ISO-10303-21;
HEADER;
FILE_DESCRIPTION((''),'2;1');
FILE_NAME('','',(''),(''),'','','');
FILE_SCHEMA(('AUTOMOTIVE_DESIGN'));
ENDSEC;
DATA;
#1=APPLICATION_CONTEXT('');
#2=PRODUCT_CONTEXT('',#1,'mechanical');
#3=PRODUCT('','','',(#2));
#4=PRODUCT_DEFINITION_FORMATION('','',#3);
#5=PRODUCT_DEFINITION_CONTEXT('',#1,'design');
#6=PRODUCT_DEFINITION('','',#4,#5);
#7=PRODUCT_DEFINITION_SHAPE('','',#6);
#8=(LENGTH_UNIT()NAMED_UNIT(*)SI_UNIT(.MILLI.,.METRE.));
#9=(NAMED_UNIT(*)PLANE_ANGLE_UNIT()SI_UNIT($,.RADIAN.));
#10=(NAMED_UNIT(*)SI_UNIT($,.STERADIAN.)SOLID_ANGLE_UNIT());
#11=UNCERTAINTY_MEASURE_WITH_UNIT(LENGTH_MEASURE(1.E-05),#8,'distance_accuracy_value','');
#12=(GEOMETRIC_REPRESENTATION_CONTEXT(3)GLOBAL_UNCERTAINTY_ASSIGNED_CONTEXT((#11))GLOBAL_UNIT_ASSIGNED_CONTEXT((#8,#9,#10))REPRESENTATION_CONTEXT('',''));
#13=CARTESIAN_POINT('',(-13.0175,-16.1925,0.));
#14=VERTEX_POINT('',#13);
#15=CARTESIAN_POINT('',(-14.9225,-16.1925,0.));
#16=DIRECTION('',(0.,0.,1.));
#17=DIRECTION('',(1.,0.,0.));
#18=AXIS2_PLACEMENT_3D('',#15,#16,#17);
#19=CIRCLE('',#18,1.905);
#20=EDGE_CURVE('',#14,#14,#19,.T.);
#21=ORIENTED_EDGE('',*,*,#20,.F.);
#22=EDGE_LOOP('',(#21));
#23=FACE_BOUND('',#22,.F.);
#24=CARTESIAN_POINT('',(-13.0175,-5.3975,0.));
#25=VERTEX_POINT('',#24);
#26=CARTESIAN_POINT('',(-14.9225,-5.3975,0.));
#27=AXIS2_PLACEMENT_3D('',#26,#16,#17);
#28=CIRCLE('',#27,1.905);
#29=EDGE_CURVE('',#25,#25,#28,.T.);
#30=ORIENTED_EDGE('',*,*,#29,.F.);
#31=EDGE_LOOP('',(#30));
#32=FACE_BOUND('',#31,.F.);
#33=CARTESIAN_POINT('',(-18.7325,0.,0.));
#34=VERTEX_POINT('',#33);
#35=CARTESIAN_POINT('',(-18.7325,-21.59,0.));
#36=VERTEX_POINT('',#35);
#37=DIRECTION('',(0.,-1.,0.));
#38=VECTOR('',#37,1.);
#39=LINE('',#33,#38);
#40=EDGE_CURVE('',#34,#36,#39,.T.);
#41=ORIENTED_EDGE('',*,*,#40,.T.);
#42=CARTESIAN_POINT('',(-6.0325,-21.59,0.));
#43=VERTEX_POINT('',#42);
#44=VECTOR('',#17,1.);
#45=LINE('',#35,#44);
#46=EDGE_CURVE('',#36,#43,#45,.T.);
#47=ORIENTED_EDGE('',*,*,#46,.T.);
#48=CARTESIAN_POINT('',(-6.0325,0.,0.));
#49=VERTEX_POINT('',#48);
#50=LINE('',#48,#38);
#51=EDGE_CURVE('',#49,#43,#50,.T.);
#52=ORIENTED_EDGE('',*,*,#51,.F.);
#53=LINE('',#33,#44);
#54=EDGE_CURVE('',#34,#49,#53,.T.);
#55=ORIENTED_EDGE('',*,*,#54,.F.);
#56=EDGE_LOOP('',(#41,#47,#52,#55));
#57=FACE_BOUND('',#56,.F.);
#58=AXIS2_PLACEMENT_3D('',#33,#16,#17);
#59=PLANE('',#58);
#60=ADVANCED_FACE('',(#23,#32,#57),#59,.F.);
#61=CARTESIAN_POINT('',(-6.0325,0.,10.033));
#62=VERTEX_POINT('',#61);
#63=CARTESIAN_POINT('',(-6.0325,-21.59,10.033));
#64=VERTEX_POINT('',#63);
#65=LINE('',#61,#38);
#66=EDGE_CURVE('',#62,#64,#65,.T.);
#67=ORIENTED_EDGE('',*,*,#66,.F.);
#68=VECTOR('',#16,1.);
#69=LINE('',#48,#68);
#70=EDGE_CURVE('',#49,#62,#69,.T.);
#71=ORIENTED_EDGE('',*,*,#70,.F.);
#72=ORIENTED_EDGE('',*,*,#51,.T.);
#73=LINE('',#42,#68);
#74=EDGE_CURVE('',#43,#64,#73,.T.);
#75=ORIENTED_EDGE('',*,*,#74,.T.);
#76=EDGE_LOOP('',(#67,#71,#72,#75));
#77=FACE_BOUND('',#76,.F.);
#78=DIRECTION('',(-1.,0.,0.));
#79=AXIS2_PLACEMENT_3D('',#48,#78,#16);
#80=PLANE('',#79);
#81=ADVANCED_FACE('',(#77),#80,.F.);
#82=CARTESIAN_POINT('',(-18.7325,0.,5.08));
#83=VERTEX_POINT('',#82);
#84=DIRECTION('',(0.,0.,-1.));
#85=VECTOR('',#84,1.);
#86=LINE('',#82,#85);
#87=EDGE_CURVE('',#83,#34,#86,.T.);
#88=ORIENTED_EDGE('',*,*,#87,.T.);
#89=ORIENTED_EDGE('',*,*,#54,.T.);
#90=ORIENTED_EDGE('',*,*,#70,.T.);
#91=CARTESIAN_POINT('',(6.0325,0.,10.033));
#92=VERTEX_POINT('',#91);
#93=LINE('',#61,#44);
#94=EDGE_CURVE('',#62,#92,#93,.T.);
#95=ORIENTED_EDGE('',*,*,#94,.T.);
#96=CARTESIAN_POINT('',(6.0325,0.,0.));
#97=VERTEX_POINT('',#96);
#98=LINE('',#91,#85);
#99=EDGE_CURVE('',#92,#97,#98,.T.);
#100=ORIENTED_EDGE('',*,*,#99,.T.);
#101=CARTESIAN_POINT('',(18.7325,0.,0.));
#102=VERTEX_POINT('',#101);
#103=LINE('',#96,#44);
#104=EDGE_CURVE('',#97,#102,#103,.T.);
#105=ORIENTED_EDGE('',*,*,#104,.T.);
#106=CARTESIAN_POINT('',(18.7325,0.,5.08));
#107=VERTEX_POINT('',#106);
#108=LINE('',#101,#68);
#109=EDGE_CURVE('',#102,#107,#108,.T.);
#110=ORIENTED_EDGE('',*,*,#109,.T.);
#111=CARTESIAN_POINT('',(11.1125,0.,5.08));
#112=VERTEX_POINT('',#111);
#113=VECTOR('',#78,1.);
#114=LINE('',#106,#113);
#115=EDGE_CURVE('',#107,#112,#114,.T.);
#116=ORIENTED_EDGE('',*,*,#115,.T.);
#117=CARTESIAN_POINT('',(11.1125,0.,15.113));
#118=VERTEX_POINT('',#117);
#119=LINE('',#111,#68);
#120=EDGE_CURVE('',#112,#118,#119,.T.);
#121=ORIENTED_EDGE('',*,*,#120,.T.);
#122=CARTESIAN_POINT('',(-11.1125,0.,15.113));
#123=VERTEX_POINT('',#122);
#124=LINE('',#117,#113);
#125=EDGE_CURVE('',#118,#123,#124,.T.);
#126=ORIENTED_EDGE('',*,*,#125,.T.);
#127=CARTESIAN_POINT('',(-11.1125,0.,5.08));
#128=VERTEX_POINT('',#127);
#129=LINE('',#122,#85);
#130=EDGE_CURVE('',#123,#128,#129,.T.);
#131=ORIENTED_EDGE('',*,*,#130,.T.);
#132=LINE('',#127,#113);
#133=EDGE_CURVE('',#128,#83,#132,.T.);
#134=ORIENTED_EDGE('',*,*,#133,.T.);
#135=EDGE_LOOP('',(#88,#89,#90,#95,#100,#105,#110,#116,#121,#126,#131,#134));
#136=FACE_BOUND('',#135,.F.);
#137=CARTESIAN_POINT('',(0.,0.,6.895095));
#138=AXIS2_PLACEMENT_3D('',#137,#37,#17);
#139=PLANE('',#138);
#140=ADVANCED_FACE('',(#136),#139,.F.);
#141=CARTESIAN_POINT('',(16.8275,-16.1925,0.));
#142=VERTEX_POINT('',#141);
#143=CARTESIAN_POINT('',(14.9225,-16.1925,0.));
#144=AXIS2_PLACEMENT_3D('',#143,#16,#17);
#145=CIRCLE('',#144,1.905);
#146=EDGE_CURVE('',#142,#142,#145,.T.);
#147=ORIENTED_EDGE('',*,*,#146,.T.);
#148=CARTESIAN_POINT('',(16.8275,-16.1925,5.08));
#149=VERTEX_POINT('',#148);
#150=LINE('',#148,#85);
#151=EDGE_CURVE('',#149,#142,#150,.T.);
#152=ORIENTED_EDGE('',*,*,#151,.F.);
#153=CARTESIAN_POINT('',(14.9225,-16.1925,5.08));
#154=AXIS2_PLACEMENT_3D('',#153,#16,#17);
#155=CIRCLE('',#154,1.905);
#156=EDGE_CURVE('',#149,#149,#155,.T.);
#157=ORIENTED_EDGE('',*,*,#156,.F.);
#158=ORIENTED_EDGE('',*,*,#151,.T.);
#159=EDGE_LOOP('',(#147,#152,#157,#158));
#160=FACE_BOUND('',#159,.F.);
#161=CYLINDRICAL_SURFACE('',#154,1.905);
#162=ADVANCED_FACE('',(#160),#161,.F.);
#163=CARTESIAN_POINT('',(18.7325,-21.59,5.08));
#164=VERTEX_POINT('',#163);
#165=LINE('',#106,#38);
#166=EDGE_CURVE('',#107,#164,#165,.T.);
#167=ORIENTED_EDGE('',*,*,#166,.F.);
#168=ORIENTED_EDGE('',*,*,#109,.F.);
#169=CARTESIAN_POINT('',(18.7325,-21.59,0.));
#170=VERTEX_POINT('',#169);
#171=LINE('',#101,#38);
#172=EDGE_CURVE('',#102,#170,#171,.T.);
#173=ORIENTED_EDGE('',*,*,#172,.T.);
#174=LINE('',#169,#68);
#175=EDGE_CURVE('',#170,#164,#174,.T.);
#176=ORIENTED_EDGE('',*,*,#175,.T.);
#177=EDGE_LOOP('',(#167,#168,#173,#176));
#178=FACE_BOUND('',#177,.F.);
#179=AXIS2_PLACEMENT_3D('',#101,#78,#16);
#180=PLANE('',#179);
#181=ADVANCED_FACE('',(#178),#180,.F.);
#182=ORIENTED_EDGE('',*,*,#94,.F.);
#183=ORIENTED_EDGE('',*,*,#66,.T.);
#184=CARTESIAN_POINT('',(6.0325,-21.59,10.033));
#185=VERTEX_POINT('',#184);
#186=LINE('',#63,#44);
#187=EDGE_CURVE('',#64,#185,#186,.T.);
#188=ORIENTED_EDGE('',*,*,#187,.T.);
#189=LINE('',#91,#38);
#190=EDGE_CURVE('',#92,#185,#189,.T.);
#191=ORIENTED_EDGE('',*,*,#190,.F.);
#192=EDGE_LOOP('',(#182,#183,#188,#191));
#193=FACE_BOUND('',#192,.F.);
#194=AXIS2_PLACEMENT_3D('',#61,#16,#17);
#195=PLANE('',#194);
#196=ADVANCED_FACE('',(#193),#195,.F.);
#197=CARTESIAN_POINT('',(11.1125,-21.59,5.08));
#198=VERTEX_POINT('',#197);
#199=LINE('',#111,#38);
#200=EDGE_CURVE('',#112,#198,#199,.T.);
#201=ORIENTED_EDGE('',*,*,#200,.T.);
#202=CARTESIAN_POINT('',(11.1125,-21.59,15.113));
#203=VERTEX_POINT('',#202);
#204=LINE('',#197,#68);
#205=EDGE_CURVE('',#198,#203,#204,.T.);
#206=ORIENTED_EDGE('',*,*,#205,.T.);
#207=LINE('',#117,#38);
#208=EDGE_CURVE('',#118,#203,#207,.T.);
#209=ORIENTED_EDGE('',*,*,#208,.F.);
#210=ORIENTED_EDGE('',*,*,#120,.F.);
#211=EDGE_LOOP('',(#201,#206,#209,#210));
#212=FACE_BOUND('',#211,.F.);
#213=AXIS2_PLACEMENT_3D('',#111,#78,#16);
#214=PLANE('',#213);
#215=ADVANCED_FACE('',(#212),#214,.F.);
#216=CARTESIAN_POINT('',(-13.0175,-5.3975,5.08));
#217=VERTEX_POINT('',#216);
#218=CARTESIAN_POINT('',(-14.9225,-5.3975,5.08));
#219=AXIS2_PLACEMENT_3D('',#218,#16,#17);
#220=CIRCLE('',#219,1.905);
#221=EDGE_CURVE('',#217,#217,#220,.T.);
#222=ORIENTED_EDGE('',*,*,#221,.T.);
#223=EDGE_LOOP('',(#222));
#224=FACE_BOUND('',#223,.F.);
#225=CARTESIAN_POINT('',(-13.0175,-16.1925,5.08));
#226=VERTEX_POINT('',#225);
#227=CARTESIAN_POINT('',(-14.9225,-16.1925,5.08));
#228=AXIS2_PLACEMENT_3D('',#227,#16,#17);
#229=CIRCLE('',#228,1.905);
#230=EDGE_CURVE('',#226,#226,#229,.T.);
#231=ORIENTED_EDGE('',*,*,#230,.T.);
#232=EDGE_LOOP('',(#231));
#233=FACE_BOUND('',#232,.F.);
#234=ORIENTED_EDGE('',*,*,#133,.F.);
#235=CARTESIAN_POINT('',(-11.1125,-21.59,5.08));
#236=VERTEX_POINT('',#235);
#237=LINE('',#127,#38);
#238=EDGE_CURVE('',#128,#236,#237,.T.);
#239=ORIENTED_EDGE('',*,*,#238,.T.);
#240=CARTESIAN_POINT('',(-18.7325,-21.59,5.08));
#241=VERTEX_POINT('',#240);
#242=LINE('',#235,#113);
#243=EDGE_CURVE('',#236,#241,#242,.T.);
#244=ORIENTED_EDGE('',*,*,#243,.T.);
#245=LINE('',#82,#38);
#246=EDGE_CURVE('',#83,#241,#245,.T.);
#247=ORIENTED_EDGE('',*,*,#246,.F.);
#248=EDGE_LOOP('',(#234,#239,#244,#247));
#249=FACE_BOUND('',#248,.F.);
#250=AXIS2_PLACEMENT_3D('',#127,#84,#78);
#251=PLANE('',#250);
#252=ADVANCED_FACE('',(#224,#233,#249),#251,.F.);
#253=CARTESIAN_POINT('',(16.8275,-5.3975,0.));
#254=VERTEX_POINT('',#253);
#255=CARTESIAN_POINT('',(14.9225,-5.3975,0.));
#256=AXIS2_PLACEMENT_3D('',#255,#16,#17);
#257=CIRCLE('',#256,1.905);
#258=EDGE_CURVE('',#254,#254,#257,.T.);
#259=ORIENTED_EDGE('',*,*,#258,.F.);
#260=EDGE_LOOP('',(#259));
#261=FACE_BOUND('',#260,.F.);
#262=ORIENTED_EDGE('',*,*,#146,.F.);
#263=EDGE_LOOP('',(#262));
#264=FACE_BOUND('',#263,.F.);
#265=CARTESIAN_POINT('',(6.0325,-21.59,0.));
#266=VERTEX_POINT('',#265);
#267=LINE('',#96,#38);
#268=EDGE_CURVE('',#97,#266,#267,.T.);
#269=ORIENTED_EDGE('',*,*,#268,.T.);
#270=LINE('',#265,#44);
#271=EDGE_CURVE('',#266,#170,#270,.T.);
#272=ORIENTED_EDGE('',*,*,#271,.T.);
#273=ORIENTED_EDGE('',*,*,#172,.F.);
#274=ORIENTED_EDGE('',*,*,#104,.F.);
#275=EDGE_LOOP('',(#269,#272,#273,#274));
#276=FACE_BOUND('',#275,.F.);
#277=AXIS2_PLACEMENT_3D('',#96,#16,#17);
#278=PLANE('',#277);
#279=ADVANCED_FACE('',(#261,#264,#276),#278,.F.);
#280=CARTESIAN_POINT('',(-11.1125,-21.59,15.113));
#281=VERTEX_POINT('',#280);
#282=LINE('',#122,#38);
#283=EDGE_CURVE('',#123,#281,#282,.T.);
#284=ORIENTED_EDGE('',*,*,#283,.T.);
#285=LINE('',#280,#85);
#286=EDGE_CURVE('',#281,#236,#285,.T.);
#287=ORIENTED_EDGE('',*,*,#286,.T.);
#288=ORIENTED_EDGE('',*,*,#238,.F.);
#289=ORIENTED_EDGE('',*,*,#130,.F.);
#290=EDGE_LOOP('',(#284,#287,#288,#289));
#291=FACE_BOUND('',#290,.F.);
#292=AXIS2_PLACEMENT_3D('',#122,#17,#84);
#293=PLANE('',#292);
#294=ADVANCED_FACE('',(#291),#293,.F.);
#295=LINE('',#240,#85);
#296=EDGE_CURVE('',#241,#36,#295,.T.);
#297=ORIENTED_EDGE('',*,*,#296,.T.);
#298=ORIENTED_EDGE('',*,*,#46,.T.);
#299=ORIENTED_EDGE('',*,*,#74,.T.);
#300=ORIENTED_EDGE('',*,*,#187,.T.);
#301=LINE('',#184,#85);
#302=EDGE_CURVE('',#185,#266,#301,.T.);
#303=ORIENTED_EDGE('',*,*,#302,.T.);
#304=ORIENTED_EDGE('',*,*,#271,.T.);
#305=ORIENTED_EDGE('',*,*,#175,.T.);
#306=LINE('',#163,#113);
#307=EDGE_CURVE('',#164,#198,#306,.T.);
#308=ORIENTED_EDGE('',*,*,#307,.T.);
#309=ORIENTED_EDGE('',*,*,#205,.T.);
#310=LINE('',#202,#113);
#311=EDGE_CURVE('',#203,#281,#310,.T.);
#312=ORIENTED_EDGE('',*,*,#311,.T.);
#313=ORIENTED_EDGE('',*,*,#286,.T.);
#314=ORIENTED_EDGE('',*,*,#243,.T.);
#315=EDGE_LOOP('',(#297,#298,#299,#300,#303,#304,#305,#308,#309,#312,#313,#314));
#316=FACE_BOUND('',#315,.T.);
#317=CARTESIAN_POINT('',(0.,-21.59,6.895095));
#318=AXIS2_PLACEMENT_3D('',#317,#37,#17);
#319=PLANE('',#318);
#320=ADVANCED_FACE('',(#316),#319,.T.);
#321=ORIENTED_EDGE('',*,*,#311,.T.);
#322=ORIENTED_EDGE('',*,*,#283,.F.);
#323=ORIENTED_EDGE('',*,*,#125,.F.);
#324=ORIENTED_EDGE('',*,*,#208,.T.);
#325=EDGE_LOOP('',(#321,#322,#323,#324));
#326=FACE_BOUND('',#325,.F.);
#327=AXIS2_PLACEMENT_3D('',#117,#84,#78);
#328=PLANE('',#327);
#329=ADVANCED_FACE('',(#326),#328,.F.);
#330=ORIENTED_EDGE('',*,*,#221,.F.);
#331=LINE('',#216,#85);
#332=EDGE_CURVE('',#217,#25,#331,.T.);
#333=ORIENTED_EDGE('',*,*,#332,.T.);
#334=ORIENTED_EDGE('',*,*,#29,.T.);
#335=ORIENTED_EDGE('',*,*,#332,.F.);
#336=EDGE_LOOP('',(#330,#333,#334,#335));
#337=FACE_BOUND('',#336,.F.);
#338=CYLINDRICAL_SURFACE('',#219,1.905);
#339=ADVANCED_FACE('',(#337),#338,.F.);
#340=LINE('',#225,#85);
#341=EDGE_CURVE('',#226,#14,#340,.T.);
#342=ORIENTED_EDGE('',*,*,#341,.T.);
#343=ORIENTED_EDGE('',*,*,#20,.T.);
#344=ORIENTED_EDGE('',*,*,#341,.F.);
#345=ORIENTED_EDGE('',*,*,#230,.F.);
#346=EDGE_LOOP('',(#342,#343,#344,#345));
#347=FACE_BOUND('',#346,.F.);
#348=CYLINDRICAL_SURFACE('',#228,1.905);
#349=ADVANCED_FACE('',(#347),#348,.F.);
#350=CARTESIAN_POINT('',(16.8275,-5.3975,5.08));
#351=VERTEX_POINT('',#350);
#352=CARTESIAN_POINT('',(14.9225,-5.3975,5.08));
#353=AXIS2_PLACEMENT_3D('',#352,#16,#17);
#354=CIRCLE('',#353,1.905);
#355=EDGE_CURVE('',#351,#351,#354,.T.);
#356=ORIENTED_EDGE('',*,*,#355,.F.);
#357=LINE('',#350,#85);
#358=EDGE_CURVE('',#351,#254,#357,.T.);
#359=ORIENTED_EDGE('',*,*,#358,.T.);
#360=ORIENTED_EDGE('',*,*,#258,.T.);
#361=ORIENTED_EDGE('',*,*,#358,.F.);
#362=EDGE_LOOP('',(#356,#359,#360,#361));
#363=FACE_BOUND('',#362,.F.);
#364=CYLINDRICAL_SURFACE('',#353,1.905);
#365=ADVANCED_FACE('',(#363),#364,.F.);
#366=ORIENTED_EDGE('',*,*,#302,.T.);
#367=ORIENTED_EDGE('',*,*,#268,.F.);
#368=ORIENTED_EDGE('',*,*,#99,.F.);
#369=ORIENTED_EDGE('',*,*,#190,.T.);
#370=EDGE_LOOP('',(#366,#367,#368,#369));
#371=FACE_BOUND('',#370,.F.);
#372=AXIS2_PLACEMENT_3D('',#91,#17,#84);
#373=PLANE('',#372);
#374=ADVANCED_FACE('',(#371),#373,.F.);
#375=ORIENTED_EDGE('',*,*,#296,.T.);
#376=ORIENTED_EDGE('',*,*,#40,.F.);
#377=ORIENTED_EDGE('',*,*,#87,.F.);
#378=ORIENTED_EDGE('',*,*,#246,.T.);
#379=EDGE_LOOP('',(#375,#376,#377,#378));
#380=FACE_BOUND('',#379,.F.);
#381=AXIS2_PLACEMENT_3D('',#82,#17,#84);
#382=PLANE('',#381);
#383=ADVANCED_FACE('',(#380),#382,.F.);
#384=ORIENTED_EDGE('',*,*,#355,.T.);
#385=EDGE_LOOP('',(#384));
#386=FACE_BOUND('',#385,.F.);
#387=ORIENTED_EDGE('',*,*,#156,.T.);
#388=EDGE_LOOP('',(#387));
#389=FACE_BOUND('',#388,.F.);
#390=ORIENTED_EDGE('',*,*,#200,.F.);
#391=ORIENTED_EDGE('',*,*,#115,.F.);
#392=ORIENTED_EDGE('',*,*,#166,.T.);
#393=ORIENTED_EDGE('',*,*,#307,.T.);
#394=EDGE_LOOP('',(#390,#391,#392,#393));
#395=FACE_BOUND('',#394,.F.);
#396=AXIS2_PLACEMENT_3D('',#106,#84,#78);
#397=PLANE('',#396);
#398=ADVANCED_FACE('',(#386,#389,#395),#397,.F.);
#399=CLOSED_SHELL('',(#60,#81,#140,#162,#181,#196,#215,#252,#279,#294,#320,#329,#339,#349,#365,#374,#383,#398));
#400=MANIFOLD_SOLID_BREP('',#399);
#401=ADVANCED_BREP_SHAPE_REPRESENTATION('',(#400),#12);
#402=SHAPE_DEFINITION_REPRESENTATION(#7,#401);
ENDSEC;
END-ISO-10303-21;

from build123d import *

# Parameters (mm, degrees)
F1_DEPTH = 21.59
F2_R     = 1.905
F3_DEPTH = 5.081


with BuildPart() as f1:
    # F0 (on Front) → F1 (new body)
    with BuildSketch(Plane.XZ):
        Polygon((-18.7325, 5.08), (-18.7325, 0), (-6.0325, 0), (-6.0325, 10.033), (0, 10.033), (6.0325, 10.033), (6.0325, 0), (18.7325, 0), (18.7325, 5.08), (11.1125, 5.08), (11.1125, 15.113), (0, 15.113), (-11.1125, 15.113), (-11.1125, 5.08), align=None)
    extrude(amount=F1_DEPTH)

    # F2 (on face) → F3 (cut, through all)
    with BuildSketch(Plane.XY.offset(5.08)):
        with Locations((-14.9225, -5.3975)):
            Circle(F2_R)
        with Locations((-14.9225, -16.1925)):
            Circle(F2_R)
        with Locations((14.9225, -16.1925)):
            Circle(F2_R)
        with Locations((14.9225, -5.3975)):
            Circle(F2_R)
    extrude(amount=-F3_DEPTH, mode=Mode.SUBTRACT)


solid = f1.part
